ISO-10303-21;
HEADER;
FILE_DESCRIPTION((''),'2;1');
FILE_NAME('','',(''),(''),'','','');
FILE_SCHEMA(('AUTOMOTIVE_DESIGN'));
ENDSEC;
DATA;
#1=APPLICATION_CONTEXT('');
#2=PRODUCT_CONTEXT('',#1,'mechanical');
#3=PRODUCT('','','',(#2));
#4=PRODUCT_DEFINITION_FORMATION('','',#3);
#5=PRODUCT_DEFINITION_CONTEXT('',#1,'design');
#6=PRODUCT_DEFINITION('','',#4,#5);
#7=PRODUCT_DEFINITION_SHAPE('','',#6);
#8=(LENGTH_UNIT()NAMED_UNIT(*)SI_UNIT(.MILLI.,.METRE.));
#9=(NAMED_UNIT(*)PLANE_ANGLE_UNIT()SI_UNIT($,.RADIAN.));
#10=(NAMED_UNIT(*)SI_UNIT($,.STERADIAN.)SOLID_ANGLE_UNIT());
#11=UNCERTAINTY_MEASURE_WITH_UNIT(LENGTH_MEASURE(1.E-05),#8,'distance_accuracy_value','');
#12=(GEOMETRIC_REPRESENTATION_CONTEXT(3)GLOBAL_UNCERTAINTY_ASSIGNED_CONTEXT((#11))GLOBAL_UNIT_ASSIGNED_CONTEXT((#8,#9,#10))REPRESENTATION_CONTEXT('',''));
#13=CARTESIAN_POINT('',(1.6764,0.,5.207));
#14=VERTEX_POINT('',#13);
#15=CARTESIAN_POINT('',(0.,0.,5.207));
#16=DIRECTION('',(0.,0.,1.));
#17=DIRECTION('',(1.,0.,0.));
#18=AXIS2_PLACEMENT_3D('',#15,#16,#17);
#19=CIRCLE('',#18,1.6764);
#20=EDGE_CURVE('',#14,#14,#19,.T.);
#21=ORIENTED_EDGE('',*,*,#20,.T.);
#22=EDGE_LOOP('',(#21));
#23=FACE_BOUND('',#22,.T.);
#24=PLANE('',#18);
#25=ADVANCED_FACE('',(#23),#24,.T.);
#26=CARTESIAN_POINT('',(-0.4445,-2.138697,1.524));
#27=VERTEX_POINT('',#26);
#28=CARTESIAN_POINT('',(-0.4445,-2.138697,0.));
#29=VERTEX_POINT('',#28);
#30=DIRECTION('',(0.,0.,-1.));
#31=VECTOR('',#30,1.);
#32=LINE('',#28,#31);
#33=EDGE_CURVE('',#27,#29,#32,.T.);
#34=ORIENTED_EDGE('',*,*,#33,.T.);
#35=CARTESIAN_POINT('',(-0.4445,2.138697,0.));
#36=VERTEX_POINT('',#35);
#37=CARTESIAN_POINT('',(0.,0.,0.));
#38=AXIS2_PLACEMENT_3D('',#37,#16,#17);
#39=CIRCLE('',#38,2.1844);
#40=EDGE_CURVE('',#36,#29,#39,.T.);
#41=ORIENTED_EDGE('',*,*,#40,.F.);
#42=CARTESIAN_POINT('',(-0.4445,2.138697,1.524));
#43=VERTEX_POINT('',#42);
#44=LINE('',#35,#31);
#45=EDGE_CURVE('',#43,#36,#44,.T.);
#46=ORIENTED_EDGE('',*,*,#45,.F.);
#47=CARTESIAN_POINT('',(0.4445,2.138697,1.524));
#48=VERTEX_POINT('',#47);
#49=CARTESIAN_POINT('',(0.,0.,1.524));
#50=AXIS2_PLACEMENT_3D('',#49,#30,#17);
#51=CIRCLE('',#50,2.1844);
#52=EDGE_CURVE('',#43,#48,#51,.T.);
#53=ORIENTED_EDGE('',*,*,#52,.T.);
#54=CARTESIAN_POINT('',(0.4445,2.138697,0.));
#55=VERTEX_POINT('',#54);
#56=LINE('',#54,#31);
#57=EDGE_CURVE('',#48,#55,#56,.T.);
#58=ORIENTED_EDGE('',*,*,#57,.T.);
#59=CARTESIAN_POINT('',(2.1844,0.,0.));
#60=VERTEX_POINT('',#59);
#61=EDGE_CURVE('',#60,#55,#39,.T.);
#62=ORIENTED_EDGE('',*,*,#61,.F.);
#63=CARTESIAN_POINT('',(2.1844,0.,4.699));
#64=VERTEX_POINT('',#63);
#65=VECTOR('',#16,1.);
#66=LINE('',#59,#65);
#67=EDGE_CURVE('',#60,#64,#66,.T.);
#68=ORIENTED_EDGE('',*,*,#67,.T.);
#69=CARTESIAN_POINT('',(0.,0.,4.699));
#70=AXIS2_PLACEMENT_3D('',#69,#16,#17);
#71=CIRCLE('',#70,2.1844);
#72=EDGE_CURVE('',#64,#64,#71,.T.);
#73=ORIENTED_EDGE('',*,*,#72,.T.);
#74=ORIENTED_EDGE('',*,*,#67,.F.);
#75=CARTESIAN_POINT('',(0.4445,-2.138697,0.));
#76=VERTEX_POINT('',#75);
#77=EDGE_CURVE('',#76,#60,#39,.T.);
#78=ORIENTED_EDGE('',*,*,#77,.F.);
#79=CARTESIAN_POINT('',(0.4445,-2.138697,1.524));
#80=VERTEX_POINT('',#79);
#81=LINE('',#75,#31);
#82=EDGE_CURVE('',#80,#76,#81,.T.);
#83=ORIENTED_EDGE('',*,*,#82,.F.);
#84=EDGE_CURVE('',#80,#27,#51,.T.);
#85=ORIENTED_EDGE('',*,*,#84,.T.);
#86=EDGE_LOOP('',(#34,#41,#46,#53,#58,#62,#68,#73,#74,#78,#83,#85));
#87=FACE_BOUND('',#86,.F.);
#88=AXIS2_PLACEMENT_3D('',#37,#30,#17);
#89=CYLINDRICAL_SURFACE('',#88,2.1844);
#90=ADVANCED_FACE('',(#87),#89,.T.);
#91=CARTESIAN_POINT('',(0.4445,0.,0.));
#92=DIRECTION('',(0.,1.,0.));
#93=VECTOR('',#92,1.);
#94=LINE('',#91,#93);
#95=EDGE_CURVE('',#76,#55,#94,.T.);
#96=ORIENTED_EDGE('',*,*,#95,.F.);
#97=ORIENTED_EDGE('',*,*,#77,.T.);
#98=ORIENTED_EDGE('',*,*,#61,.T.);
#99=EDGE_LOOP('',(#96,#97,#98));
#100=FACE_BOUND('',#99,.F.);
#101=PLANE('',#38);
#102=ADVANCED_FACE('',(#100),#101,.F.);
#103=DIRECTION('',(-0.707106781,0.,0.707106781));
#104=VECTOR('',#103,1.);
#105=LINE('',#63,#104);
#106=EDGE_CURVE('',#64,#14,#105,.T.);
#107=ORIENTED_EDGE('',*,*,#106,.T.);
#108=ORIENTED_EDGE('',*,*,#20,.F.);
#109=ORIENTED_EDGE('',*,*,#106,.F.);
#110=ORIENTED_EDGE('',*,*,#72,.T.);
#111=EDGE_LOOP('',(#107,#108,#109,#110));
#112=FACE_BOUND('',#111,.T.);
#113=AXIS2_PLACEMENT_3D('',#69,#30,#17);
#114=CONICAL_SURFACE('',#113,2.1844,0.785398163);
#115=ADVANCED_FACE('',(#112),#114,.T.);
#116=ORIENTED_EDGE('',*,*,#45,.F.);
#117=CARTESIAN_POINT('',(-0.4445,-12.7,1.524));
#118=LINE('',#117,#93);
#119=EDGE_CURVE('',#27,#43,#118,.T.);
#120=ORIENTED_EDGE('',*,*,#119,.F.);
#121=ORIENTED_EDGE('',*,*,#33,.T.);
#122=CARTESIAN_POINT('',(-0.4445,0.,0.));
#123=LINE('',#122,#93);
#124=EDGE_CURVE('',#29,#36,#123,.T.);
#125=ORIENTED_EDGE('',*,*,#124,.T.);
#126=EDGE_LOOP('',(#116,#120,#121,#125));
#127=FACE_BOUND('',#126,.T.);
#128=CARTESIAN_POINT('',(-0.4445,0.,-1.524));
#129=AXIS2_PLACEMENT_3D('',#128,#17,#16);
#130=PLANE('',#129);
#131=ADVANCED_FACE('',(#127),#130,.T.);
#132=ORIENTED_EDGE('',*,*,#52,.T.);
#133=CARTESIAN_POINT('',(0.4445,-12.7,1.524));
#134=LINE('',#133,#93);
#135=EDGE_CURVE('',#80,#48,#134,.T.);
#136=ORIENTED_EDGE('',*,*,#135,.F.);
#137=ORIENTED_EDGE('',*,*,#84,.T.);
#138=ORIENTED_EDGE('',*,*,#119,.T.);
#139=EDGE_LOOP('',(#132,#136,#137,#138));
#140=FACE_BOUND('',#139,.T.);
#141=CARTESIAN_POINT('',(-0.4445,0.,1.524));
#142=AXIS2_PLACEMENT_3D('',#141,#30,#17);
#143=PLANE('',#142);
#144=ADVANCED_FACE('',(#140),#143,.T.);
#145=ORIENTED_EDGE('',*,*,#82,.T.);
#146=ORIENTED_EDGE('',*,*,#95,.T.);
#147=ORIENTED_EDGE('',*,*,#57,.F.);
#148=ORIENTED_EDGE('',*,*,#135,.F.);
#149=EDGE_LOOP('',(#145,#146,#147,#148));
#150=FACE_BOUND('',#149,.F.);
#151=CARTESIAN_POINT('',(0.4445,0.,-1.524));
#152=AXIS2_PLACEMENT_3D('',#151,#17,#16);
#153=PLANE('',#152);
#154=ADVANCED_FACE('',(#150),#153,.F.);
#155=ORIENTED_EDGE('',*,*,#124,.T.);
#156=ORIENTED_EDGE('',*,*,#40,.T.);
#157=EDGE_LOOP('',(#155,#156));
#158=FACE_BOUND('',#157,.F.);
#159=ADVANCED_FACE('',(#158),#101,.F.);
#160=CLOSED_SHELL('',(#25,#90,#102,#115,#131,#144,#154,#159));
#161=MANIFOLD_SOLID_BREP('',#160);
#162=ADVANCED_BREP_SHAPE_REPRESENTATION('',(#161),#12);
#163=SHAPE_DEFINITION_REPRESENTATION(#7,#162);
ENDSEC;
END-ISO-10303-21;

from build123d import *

# Parameters (mm, degrees)
F0_R     = 2.1844
F1_DEPTH = 5.207
F2_W     = 0.889
F2_H     = 3.048
F3_DEPTH = 12.7
F4_SIZE  = 0.508


with BuildPart() as f1:
    # F0 (on Top) → F1 (new body)
    with BuildSketch(Plane.XY):
        Circle(F0_R)
    extrude(amount=F1_DEPTH)

    # F2 (on Front) → F3 (cut, symmetric)
    with BuildSketch(Plane.XZ):
        Rectangle(F2_W, F2_H)
    extrude(amount=F3_DEPTH, both=True, mode=Mode.SUBTRACT)

    # F4
    f4_edges = [f1.edges().sort_by_distance(p)[0] for p in [
        (-2.1844, 0, 5.207),
    ]]
    chamfer(f4_edges, length=F4_SIZE)


solid = f1.part
